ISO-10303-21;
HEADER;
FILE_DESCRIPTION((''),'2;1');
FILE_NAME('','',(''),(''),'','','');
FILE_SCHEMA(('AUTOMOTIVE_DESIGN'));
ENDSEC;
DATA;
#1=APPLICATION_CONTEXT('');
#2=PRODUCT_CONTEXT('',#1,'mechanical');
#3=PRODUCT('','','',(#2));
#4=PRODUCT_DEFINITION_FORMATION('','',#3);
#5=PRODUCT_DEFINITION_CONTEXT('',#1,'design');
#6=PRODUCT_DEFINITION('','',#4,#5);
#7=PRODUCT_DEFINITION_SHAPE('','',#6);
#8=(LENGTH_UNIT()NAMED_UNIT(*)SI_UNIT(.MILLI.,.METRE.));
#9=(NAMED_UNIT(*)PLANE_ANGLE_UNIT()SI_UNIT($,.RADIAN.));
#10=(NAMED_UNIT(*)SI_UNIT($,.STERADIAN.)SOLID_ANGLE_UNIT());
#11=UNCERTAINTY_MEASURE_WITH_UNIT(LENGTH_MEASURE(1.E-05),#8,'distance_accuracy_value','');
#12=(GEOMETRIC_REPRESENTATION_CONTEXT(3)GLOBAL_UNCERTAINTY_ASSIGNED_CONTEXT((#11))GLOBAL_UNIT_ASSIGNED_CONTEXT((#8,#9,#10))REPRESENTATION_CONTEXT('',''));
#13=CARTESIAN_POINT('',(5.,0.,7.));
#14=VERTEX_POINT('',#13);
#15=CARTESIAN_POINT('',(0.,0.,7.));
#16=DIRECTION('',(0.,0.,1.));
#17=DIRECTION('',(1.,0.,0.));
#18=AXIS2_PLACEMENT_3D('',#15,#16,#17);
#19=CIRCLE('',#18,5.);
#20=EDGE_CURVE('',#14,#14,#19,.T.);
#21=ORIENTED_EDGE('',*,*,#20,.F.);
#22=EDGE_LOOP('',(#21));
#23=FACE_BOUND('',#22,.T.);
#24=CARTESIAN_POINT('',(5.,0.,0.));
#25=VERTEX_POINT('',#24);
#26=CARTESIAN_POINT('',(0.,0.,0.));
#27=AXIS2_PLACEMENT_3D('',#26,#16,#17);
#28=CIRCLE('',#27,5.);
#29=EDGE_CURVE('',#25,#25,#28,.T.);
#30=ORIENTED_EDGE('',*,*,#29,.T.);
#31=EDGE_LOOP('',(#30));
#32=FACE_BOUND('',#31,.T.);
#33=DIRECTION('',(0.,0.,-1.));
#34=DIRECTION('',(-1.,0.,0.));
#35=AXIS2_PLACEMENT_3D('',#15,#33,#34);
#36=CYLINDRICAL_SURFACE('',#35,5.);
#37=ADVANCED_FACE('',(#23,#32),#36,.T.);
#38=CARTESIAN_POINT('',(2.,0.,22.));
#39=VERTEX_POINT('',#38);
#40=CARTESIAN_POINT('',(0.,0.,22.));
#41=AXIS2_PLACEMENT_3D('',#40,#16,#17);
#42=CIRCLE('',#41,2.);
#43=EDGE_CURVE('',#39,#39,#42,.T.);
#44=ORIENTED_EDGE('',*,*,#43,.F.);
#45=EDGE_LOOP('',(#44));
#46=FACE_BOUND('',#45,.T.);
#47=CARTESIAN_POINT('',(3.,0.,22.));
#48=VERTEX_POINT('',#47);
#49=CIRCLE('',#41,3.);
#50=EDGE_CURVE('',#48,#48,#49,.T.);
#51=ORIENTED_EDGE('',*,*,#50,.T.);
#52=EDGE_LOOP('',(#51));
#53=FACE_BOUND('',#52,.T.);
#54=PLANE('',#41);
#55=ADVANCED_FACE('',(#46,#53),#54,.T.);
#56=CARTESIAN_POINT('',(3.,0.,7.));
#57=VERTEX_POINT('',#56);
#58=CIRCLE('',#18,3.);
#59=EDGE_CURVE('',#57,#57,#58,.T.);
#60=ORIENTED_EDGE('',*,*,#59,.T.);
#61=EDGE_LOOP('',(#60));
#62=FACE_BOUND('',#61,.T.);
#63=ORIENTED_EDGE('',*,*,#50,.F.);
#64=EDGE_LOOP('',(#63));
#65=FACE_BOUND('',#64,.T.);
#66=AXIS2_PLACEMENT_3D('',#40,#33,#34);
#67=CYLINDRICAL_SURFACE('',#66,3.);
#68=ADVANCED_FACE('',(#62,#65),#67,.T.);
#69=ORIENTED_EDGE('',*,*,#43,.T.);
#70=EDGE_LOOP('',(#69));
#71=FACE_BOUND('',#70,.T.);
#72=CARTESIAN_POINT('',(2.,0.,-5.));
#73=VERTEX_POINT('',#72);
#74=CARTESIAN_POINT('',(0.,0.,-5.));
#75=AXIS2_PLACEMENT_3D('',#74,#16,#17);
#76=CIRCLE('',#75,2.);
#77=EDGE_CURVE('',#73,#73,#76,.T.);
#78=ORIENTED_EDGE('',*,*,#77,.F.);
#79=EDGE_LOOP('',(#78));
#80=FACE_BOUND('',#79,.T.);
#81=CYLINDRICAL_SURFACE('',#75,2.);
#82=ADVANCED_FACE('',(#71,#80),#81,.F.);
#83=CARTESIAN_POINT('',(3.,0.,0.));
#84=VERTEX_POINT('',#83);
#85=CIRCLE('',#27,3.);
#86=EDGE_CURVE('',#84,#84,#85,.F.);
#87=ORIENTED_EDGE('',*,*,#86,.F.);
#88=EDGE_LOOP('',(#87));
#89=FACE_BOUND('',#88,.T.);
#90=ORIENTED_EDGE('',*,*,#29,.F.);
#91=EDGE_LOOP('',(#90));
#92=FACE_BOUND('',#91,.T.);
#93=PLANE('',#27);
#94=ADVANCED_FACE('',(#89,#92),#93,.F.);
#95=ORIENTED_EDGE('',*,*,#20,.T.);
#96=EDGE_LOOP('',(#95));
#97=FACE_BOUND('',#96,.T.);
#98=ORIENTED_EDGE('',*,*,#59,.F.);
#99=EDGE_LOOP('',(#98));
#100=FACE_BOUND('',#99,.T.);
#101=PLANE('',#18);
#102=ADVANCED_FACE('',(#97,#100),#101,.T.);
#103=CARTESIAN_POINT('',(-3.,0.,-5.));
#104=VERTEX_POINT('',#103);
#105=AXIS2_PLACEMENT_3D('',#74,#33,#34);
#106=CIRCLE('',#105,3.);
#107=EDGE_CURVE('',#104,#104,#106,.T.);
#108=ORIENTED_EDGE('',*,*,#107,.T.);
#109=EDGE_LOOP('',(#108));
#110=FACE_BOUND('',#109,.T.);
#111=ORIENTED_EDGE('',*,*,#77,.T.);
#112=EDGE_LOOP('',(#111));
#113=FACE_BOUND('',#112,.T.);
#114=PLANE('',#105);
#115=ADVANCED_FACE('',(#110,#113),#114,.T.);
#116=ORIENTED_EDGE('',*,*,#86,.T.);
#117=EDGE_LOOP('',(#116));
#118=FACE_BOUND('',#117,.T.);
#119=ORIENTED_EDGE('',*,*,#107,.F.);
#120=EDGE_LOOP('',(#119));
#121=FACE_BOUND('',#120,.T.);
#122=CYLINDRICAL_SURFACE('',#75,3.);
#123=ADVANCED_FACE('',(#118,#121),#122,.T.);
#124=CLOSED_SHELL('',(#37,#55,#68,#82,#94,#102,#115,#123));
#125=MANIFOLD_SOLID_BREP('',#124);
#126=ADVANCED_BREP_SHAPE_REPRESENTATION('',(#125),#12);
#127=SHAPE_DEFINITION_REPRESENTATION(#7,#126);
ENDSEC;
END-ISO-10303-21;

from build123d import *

# Parameters (mm, degrees)
SKETCH_1_R          = 5
EXTRUDE_1_DEPTH     = 7
SKETCH_2_R          = 3
EXTRUDE_2_DEPTH     = 15
EXTRUDE_START       = 5
SKETCH_3_R          = 3
EXTRUDE_3_DEPTH     = 5
SKETCH_4_R          = 2
CUT_EXTRUDE_1_DEPTH = 27


with BuildPart() as part:
    # 스케치1 → 돌출1 (new body)
    with BuildSketch(Plane.XY):
        Circle(SKETCH_1_R)
    extrude(amount=EXTRUDE_1_DEPTH)

    # 스케치2 → 돌출2 (add)
    with BuildSketch(Plane.XY.offset(7)):
        Circle(SKETCH_2_R)
    extrude(amount=EXTRUDE_2_DEPTH)

    # 스케치3 → 돌출3 (add)
    with BuildSketch(Plane(origin=(0, 0, 0), x_dir=(-1, 0, 0), z_dir=(0, 0, -1)).offset(EXTRUDE_START)):
        with Locations(Location((0, 0, 0), (0, 0, 180))):
            Circle(SKETCH_3_R)
    extrude(amount=-EXTRUDE_3_DEPTH)

    # 스케치4 → 컷-돌출1 (cut)
    with BuildSketch(Plane.XY.offset(22)):
        Circle(SKETCH_4_R)
    extrude(amount=-CUT_EXTRUDE_1_DEPTH, mode=Mode.SUBTRACT)


solid = part.part
